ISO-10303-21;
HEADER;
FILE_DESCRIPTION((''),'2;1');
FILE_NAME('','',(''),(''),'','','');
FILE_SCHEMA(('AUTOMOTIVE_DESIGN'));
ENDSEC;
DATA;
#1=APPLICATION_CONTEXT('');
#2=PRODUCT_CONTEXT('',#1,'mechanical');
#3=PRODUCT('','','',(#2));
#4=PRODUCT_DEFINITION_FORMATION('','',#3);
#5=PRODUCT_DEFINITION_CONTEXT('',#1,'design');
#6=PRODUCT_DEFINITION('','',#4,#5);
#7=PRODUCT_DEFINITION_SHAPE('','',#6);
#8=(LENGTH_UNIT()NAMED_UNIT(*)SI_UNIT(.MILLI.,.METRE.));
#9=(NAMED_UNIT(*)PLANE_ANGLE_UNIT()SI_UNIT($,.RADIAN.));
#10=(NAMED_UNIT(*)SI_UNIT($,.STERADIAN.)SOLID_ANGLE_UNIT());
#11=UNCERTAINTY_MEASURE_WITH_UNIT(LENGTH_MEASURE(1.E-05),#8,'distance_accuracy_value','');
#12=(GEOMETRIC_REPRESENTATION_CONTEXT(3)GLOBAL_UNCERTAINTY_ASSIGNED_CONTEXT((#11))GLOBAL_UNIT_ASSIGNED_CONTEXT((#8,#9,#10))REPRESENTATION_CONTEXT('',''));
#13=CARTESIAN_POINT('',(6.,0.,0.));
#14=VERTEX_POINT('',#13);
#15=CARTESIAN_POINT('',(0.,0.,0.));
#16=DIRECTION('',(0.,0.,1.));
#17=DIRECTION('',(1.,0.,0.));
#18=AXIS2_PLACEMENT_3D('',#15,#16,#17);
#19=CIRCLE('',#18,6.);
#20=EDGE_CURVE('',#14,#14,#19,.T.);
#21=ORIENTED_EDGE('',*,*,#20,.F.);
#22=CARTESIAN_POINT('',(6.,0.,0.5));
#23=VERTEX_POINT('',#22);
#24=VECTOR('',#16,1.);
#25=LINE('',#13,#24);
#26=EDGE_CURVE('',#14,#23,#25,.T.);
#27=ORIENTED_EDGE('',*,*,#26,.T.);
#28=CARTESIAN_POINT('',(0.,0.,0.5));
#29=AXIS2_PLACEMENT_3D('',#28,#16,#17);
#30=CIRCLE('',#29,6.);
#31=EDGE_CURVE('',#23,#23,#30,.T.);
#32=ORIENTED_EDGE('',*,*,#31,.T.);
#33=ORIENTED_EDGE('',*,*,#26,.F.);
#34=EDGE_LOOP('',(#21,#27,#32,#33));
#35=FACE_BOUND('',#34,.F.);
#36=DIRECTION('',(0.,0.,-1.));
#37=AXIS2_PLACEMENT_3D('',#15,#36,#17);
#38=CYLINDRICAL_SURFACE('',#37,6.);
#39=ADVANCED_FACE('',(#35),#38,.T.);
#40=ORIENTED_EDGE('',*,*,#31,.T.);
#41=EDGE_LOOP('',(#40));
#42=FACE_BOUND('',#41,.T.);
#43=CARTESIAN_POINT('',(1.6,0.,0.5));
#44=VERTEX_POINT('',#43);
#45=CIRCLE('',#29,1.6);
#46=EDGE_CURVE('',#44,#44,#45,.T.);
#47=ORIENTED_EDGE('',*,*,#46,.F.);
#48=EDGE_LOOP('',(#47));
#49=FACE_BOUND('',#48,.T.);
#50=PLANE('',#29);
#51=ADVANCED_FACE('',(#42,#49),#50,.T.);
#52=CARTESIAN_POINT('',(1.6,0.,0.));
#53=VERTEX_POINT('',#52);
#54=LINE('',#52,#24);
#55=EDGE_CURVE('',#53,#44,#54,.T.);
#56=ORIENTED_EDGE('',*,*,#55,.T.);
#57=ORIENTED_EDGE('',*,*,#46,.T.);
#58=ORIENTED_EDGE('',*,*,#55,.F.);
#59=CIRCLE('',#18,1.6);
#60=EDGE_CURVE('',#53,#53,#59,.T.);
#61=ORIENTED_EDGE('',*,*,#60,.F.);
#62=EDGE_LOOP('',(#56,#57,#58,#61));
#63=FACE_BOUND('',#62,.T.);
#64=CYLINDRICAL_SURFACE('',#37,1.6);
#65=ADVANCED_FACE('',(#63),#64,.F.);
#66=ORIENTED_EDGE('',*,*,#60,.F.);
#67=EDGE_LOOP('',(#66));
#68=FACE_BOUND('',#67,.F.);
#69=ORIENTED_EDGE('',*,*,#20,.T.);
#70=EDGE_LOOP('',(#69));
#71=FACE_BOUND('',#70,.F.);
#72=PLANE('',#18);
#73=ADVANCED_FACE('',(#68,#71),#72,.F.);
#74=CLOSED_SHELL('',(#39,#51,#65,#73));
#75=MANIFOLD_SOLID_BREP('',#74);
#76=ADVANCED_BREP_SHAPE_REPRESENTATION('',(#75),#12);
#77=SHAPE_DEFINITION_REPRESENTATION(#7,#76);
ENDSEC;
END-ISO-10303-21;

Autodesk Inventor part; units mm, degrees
ref_plane "YZ Plane" through (0, 0, 0) normal (1, 0, 0) x (0, 1, 0)
ref_plane "XZ Plane" through (0, 0, 0) normal (0, 1, 0) x (-1, 0, 0)
ref_plane "XY Plane" through (0, 0, 0) normal (0, 0, 1) x (1, 0, 0)
sketch "スケッチ1" plane through (0, 0, 0) normal (0, 0, 1) x (1, 0, 0)
  circle A0 centre (0, 0) radius 1.6
  circle A1 centre (0, 0) radius 6
  dimension "d0" = 3.2
  dimension "d1" = 12
extrude "押し出し1" add sketch "スケッチ1" along normal blind 0.5
properties part number "UUW-0312-5H"
